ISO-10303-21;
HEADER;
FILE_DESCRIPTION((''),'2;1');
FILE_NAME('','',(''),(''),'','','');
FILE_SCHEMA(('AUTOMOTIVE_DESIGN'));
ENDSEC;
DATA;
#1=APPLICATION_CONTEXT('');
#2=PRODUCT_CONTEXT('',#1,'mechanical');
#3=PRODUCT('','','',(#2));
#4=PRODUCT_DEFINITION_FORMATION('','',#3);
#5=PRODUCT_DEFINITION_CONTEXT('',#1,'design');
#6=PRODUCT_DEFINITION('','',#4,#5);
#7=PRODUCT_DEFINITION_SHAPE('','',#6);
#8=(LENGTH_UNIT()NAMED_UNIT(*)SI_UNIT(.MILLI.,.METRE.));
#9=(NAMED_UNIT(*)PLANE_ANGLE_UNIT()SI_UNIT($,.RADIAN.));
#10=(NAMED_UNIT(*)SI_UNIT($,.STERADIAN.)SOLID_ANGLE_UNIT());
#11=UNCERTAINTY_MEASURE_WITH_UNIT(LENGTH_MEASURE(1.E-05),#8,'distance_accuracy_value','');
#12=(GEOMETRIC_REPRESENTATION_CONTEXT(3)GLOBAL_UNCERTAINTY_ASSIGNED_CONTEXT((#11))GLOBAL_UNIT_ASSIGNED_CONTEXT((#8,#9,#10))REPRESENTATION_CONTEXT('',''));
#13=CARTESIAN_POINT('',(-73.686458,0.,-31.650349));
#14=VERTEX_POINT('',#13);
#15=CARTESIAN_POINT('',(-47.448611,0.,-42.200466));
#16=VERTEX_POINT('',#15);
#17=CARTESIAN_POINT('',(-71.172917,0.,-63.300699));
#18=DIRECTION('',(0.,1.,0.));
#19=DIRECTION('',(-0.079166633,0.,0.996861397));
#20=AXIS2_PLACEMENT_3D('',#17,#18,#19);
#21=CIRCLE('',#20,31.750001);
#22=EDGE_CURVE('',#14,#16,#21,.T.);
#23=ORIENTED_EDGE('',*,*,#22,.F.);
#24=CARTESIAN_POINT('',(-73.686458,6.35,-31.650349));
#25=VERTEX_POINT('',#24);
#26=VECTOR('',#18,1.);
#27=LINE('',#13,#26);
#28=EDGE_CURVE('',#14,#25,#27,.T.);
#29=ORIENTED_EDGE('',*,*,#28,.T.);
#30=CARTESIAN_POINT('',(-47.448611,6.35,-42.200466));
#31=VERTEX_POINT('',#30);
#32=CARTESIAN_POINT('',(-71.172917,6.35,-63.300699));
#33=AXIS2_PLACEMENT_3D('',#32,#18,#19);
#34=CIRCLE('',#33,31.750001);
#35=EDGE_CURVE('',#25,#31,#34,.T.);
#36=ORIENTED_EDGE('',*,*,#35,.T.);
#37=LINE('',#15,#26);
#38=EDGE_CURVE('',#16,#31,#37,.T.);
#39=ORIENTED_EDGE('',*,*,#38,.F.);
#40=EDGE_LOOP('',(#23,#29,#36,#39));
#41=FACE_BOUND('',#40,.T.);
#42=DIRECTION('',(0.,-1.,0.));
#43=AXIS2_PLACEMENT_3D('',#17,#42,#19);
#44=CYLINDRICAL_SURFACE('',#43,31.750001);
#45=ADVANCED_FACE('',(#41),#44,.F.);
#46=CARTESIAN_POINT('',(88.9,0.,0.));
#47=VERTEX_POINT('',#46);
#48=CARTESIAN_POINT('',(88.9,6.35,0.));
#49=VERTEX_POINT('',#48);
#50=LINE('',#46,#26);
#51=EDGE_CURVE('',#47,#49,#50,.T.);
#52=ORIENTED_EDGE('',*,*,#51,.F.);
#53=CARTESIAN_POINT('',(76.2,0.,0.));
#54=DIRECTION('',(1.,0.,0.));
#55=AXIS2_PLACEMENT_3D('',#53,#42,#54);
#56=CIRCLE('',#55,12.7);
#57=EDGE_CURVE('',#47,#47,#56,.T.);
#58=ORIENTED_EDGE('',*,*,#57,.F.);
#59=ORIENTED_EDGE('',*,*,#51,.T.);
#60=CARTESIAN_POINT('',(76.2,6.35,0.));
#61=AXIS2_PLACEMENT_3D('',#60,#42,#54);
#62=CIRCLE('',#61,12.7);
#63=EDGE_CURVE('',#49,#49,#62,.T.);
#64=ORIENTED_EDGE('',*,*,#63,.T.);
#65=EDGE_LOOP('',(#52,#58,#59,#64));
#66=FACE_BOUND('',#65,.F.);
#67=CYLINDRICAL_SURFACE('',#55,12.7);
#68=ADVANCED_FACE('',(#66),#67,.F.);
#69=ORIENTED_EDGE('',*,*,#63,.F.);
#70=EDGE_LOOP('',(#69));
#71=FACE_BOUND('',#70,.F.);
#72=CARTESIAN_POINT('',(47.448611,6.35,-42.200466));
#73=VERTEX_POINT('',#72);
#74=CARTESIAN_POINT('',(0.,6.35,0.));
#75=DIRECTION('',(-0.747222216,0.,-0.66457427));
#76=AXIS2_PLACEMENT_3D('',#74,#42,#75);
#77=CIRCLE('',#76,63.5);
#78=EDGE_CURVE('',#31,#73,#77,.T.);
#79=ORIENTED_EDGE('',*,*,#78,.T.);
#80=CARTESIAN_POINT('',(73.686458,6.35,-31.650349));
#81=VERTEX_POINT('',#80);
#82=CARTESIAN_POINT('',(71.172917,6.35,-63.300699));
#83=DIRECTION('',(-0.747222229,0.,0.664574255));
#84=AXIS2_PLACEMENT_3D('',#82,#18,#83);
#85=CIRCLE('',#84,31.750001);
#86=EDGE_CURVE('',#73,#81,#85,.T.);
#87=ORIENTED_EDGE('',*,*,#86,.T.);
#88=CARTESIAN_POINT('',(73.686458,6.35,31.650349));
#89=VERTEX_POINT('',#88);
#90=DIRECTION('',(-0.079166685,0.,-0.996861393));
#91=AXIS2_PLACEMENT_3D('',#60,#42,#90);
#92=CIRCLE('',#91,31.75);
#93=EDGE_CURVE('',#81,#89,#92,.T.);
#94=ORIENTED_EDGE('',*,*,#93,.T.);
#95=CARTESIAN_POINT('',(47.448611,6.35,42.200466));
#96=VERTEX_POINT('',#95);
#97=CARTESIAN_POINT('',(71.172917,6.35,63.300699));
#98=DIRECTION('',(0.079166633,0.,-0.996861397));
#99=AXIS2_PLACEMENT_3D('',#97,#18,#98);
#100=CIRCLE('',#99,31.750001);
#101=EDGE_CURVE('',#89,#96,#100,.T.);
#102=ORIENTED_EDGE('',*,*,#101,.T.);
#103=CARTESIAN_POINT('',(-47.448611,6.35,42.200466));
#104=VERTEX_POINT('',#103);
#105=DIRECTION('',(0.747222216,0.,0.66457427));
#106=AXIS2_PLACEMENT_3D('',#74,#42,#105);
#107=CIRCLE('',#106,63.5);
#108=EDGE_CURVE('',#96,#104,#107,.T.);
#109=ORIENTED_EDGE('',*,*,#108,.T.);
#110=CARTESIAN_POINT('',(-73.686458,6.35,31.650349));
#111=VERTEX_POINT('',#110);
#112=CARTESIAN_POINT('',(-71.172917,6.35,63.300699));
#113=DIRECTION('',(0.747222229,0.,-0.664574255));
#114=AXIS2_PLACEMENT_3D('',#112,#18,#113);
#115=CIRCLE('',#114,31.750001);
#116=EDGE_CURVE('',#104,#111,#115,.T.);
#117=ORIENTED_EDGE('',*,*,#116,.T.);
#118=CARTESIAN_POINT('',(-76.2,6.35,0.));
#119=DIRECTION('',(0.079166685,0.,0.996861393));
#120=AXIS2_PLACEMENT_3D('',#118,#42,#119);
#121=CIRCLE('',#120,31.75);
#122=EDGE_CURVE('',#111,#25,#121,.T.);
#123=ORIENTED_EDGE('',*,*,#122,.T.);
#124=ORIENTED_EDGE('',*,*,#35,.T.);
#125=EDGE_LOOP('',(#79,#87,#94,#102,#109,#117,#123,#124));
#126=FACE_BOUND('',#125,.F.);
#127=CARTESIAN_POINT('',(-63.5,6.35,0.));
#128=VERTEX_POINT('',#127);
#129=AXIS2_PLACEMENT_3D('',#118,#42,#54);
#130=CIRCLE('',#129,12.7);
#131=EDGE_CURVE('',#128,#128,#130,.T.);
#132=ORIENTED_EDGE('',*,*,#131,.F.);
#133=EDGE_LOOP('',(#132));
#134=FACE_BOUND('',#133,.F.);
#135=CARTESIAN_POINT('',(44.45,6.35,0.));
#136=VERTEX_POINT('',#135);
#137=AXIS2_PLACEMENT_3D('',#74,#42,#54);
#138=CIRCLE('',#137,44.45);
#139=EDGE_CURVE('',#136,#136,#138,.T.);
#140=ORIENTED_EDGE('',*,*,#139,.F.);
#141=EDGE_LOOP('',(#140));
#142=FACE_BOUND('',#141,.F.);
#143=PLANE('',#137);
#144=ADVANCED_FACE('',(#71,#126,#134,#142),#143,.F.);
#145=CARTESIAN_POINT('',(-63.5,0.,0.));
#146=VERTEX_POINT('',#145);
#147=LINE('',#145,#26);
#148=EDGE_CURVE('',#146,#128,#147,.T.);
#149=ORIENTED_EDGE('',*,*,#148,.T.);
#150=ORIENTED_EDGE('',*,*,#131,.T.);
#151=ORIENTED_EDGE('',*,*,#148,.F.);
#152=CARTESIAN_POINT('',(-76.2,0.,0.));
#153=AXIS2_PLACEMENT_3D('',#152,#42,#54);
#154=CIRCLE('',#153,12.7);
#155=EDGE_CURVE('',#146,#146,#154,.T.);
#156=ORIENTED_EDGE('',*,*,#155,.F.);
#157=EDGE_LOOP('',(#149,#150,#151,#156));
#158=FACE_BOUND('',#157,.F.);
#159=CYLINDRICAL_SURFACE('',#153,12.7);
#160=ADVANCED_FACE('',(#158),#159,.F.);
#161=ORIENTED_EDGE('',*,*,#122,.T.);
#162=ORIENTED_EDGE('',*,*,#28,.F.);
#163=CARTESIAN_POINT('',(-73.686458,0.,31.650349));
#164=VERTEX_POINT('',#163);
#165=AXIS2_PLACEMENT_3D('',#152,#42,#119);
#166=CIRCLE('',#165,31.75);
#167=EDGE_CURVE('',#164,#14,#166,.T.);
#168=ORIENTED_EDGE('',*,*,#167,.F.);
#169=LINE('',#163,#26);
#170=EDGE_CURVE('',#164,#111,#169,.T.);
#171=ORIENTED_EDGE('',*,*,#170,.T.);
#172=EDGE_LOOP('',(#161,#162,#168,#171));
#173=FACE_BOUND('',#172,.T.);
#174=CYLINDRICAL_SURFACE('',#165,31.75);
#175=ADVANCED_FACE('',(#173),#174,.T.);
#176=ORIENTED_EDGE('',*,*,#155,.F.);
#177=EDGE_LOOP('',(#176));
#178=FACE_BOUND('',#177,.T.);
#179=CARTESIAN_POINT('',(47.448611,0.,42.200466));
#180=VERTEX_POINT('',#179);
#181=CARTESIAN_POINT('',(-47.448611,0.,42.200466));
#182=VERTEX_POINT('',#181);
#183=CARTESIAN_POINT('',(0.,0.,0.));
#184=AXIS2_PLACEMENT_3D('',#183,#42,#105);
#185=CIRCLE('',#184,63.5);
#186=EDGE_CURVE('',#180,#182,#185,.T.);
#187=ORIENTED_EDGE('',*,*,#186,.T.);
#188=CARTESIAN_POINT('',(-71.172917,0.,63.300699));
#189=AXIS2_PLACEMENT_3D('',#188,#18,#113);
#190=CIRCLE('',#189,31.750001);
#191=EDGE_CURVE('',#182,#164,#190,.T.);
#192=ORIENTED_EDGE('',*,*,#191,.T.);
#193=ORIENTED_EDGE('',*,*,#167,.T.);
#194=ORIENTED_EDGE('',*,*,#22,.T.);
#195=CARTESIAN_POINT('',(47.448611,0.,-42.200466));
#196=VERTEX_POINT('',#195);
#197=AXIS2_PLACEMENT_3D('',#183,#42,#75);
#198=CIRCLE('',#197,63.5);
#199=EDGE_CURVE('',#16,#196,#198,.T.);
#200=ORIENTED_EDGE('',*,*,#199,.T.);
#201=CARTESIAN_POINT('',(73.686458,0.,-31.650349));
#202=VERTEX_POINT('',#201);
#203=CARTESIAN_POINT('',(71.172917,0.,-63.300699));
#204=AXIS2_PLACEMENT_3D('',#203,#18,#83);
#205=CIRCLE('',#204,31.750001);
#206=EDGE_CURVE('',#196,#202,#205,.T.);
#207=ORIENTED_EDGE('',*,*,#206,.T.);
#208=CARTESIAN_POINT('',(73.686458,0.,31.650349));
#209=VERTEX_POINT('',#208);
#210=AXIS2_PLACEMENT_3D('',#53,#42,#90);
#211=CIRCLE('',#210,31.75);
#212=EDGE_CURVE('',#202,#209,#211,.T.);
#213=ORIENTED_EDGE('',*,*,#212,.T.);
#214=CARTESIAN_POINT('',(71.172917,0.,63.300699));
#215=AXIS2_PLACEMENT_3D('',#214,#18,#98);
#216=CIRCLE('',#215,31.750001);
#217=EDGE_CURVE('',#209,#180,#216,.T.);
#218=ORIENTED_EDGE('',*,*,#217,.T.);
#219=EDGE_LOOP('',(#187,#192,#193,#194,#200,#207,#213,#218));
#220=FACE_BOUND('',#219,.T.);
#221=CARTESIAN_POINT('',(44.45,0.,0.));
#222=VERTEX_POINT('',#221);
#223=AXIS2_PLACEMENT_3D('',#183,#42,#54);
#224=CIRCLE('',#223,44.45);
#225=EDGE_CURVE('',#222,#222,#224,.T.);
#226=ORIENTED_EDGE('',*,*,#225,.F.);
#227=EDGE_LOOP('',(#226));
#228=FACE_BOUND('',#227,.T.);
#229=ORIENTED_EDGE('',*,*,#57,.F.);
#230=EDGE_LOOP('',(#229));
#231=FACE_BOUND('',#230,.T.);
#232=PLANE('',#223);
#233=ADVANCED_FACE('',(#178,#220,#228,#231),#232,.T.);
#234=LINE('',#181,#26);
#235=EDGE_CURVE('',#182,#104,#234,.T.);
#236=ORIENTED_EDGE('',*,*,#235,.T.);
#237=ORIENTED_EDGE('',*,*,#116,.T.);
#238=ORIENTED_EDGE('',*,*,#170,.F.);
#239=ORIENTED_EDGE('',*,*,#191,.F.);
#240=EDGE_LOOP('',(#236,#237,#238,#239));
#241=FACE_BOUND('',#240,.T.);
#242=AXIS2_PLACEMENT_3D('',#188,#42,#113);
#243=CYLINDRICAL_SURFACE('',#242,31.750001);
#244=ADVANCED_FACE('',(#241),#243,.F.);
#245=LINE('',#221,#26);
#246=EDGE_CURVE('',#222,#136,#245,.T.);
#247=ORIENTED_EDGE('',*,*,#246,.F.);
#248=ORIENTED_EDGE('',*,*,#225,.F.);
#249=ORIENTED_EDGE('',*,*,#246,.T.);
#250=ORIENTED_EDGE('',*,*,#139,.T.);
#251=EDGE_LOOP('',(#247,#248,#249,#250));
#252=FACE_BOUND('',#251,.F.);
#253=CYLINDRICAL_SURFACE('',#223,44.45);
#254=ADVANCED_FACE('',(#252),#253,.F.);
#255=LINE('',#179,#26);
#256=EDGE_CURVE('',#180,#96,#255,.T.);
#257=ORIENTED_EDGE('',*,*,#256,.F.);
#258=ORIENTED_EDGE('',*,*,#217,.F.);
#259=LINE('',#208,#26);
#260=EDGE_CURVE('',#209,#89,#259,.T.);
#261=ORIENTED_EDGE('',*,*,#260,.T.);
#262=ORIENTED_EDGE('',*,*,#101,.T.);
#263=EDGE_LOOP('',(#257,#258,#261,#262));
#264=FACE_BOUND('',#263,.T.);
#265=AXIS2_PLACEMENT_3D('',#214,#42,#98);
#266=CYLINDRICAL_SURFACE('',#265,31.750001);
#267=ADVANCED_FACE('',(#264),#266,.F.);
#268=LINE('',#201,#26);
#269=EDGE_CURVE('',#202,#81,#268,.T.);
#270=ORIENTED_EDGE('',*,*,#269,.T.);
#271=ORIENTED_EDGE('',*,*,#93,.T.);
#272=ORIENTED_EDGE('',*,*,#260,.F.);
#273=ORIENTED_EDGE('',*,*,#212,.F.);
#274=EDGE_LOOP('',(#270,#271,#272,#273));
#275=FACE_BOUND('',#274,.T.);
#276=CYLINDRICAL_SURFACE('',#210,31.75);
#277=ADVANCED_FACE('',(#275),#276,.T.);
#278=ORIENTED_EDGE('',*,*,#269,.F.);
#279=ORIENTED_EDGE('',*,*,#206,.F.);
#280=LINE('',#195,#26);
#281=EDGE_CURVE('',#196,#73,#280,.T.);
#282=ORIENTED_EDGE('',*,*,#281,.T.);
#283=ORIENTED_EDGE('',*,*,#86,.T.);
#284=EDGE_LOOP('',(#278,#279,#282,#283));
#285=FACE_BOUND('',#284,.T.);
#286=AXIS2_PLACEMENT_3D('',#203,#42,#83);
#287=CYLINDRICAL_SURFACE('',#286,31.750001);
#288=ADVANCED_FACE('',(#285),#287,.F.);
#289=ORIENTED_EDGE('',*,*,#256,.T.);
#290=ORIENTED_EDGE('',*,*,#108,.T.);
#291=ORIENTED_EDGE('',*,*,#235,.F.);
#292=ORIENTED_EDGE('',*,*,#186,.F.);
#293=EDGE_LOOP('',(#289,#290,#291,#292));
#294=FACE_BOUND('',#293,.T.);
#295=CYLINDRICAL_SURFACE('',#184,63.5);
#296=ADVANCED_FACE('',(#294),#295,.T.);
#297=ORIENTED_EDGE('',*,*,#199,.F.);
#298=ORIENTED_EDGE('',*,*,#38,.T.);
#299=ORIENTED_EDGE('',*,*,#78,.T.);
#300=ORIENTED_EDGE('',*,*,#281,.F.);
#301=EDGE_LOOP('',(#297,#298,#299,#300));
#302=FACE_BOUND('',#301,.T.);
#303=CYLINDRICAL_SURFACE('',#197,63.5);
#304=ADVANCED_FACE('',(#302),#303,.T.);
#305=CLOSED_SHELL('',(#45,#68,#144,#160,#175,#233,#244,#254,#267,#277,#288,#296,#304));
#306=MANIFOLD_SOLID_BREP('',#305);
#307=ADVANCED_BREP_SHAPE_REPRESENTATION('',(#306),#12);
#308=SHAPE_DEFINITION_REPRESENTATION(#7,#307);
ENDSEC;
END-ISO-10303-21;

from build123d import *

# Parameters (mm, degrees)
F0_R     = 12.7
F0_R_2   = 44.45
F1_DEPTH = 6.35


with BuildPart() as f1:
    # F0 (on Front) → F1 (new body)
    with BuildSketch(Plane.XZ):
        with BuildLine():
            ThreePointArc((-73.686458, -31.650349), (-59.328071, -33.842896), (-47.448611, -42.200466))
            ThreePointArc((-47.448611, -42.200466), (0, -63.5), (47.448611, -42.200466))
            ThreePointArc((47.448611, -42.200466), (59.328071, -33.842896), (73.686458, -31.650349))
            ThreePointArc((73.686458, -31.650349), (107.95, 0), (73.686458, 31.650349))
            ThreePointArc((73.686458, 31.650349), (59.328071, 33.842896), (47.448611, 42.200466))
            ThreePointArc((47.448611, 42.200466), (0, 63.5), (-47.448611, 42.200466))
            ThreePointArc((-47.448611, 42.200466), (-59.328071, 33.842896), (-73.686458, 31.650349))
            ThreePointArc((-73.686458, 31.650349), (-107.95, 0), (-73.686458, -31.650349))
        make_face()
        with Locations((-76.2, 0)):
            Circle(F0_R, mode=Mode.SUBTRACT)
        Circle(F0_R_2, mode=Mode.SUBTRACT)
        with Locations((76.2, 0)):
            Circle(F0_R, mode=Mode.SUBTRACT)
    extrude(amount=-F1_DEPTH)


solid = f1.part
